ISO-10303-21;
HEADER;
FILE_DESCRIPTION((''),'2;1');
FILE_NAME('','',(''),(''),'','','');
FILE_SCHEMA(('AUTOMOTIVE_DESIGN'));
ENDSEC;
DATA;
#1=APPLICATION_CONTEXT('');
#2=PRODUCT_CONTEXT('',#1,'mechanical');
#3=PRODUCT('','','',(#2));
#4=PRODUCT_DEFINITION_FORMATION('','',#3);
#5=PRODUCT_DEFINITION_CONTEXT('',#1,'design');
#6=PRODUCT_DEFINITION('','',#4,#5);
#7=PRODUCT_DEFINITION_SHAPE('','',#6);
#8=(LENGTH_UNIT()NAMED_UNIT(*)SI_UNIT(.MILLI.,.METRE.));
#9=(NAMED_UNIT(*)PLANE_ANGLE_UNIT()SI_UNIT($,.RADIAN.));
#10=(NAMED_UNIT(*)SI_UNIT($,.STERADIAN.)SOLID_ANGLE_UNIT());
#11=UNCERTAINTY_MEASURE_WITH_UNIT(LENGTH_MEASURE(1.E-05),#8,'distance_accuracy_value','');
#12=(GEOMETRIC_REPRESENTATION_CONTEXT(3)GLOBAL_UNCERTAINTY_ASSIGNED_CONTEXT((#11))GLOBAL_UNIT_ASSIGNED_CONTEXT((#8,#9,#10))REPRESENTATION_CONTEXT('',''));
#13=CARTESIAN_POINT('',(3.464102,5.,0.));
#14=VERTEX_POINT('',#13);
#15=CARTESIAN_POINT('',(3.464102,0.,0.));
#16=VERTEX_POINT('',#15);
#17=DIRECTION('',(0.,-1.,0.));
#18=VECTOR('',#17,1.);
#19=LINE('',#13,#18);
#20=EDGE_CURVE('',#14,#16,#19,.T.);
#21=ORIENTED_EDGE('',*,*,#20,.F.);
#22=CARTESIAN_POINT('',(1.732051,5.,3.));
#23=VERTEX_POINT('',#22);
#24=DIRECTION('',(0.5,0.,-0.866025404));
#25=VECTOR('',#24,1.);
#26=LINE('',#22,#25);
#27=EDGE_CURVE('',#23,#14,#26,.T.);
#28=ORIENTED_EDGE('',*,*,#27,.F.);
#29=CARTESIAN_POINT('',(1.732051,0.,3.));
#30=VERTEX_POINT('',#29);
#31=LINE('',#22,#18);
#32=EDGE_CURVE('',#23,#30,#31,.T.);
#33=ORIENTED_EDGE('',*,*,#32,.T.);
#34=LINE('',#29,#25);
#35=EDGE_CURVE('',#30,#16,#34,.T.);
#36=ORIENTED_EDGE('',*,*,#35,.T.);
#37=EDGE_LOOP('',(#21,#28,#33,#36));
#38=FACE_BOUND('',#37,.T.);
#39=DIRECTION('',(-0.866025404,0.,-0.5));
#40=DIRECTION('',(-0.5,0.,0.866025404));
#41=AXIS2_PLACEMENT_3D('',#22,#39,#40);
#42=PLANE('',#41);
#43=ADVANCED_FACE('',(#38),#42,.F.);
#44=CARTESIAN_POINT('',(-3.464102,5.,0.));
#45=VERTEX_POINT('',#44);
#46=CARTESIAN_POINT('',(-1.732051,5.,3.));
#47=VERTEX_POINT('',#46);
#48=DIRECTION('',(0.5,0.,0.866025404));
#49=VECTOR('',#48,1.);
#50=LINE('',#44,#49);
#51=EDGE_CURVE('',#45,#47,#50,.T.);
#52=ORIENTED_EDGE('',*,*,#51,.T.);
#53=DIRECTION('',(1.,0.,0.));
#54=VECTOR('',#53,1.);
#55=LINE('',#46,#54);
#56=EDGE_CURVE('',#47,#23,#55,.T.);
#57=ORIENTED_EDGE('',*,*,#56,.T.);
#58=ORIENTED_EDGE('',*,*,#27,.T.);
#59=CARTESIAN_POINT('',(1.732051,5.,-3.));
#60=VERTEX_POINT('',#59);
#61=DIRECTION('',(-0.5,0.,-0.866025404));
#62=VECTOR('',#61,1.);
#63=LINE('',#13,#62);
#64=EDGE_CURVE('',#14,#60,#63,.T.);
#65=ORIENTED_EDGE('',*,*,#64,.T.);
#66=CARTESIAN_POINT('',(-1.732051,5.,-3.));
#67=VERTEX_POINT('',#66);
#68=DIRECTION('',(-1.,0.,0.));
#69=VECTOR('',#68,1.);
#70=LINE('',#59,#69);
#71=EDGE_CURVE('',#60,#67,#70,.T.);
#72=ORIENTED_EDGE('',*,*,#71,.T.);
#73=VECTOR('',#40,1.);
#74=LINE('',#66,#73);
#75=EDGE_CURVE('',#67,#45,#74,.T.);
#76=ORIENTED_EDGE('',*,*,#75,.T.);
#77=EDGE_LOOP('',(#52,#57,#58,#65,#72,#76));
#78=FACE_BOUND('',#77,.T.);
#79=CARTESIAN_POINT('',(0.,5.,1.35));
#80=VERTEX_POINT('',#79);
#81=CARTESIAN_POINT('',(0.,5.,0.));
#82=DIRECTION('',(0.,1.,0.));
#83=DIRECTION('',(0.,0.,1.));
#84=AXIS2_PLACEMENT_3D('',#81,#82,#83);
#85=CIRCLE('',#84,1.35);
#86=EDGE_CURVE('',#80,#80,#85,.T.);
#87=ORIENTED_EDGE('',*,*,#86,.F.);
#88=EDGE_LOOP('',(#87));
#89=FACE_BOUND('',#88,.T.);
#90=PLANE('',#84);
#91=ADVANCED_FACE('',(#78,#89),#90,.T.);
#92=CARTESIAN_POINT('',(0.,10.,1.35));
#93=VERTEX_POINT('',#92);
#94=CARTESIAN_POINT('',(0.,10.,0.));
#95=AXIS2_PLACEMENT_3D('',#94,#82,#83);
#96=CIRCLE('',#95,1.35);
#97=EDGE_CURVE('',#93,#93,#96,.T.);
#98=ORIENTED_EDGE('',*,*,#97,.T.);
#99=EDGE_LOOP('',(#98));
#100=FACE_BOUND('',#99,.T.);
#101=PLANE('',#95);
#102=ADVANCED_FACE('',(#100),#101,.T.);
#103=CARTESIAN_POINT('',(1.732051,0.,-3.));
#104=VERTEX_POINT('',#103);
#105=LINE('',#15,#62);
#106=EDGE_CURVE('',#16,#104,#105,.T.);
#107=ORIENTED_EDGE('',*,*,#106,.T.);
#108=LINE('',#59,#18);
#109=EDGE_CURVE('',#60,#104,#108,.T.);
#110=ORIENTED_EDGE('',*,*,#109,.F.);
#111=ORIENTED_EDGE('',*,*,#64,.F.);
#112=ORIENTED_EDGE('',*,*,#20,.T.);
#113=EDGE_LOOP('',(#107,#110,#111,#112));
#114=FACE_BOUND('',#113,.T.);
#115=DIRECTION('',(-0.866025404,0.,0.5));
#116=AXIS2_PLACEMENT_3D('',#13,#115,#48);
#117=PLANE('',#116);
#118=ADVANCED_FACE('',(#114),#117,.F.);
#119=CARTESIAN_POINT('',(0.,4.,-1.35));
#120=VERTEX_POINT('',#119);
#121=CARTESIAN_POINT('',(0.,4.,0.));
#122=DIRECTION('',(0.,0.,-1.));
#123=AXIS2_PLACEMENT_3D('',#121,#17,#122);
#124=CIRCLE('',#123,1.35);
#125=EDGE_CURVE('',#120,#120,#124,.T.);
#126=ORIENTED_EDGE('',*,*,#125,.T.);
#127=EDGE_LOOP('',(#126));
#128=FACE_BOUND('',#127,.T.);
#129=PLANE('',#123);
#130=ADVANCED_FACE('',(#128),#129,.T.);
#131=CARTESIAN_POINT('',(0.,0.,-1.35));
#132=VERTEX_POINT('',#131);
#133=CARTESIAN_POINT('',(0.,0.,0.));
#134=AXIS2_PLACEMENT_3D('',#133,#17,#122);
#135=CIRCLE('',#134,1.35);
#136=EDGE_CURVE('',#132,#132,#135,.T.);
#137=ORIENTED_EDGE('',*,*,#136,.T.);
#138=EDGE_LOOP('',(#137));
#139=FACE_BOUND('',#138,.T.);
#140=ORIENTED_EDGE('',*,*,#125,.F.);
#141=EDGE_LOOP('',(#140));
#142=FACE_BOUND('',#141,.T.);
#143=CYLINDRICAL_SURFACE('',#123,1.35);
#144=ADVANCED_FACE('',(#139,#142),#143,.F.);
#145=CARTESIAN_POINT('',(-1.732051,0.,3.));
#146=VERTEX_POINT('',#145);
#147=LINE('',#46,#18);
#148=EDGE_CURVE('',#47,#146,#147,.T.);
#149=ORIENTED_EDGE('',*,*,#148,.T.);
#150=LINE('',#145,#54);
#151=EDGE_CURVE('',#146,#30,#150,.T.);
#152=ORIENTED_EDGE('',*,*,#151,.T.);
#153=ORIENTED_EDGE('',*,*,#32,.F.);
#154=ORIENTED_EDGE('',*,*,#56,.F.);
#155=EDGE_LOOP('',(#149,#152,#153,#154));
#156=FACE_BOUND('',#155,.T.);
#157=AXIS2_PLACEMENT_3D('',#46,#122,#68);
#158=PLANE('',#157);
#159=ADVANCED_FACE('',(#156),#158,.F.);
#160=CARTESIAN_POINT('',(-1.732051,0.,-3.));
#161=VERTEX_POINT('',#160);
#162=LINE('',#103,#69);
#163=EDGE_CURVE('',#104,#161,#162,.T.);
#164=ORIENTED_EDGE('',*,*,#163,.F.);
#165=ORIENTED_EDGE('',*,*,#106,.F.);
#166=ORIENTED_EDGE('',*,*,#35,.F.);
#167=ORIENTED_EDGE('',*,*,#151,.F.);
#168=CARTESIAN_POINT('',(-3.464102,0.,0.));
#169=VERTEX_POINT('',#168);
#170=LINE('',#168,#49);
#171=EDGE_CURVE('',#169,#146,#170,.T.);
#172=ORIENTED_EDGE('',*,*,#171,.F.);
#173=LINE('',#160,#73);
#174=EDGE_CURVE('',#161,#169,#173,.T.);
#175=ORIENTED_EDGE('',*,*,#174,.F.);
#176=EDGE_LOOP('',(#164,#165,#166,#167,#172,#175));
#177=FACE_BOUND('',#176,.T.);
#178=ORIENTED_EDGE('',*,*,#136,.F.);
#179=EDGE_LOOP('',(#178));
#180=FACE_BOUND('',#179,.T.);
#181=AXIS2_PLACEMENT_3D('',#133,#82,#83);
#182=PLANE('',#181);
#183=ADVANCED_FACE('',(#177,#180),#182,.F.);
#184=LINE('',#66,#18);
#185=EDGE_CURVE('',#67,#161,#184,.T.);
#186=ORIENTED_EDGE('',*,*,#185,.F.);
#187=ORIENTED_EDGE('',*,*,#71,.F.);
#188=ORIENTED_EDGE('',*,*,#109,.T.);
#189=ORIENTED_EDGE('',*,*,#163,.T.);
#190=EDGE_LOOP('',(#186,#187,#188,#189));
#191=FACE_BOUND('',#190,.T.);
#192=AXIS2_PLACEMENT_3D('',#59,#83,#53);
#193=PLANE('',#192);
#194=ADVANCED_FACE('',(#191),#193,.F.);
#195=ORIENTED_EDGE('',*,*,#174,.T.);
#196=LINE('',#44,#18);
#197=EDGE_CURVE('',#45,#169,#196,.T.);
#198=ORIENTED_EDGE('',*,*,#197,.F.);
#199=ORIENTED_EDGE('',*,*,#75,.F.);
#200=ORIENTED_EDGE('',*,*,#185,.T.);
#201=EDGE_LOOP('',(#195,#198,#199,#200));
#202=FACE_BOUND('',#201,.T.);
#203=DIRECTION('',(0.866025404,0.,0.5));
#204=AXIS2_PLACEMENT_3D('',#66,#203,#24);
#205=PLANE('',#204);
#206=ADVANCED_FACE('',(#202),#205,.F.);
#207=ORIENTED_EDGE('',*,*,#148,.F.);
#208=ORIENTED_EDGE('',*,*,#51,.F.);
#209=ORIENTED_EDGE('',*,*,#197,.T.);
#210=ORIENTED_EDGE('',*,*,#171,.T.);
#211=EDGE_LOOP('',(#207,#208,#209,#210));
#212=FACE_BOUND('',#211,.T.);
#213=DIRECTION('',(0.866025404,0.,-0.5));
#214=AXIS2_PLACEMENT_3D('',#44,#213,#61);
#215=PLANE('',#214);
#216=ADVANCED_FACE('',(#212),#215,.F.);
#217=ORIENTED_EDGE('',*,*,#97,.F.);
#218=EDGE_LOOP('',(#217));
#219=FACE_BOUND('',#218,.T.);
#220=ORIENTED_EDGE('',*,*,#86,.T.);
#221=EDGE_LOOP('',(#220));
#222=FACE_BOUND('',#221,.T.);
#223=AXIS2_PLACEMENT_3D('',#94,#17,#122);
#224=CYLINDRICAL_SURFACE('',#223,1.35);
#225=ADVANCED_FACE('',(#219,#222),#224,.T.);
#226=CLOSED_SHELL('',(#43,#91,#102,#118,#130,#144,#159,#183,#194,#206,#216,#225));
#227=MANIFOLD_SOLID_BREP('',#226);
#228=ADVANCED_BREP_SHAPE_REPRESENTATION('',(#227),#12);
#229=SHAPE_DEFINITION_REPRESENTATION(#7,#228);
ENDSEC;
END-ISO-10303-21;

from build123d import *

# Parameters (mm, degrees)
EXTRUDE_1_DEPTH     = 5
SKETCH_2_R          = 1.35
EXTRUDE_2_DEPTH     = 5
SKETCH_3_R          = 1.35
CUT_EXTRUDE_1_DEPTH = 4


with BuildPart() as part:
    # 스케치1 → 보스-돌출1 (new body)
    with BuildSketch(Plane(origin=(0, 0, 0), x_dir=(1, 0, 0), z_dir=(0, 1, 0))):
        Polygon((3.464101615, 0), (1.732050808, 3), (-1.732050808, 3), (-3.464101615, 0), (-1.732050808, -3), (1.732050808, -3), align=None)
    extrude(amount=EXTRUDE_1_DEPTH)

    # 스케치2 → 보스-돌출2 (add)
    with BuildSketch(Plane(origin=(0, 5, 0), x_dir=(1, 0, 0), z_dir=(0, 1, 0))):
        with Locations(Location((0, 0, 0), (0, 0, 270))):
            Circle(SKETCH_2_R)
    extrude(amount=EXTRUDE_2_DEPTH)

    # 스케치3 → 컷-돌출1 (cut)
    with BuildSketch(Plane.XZ):
        with Locations(Location((0, 0, 0), (0, 0, 90))):
            Circle(SKETCH_3_R)
    extrude(amount=-CUT_EXTRUDE_1_DEPTH, mode=Mode.SUBTRACT)


solid = part.part
